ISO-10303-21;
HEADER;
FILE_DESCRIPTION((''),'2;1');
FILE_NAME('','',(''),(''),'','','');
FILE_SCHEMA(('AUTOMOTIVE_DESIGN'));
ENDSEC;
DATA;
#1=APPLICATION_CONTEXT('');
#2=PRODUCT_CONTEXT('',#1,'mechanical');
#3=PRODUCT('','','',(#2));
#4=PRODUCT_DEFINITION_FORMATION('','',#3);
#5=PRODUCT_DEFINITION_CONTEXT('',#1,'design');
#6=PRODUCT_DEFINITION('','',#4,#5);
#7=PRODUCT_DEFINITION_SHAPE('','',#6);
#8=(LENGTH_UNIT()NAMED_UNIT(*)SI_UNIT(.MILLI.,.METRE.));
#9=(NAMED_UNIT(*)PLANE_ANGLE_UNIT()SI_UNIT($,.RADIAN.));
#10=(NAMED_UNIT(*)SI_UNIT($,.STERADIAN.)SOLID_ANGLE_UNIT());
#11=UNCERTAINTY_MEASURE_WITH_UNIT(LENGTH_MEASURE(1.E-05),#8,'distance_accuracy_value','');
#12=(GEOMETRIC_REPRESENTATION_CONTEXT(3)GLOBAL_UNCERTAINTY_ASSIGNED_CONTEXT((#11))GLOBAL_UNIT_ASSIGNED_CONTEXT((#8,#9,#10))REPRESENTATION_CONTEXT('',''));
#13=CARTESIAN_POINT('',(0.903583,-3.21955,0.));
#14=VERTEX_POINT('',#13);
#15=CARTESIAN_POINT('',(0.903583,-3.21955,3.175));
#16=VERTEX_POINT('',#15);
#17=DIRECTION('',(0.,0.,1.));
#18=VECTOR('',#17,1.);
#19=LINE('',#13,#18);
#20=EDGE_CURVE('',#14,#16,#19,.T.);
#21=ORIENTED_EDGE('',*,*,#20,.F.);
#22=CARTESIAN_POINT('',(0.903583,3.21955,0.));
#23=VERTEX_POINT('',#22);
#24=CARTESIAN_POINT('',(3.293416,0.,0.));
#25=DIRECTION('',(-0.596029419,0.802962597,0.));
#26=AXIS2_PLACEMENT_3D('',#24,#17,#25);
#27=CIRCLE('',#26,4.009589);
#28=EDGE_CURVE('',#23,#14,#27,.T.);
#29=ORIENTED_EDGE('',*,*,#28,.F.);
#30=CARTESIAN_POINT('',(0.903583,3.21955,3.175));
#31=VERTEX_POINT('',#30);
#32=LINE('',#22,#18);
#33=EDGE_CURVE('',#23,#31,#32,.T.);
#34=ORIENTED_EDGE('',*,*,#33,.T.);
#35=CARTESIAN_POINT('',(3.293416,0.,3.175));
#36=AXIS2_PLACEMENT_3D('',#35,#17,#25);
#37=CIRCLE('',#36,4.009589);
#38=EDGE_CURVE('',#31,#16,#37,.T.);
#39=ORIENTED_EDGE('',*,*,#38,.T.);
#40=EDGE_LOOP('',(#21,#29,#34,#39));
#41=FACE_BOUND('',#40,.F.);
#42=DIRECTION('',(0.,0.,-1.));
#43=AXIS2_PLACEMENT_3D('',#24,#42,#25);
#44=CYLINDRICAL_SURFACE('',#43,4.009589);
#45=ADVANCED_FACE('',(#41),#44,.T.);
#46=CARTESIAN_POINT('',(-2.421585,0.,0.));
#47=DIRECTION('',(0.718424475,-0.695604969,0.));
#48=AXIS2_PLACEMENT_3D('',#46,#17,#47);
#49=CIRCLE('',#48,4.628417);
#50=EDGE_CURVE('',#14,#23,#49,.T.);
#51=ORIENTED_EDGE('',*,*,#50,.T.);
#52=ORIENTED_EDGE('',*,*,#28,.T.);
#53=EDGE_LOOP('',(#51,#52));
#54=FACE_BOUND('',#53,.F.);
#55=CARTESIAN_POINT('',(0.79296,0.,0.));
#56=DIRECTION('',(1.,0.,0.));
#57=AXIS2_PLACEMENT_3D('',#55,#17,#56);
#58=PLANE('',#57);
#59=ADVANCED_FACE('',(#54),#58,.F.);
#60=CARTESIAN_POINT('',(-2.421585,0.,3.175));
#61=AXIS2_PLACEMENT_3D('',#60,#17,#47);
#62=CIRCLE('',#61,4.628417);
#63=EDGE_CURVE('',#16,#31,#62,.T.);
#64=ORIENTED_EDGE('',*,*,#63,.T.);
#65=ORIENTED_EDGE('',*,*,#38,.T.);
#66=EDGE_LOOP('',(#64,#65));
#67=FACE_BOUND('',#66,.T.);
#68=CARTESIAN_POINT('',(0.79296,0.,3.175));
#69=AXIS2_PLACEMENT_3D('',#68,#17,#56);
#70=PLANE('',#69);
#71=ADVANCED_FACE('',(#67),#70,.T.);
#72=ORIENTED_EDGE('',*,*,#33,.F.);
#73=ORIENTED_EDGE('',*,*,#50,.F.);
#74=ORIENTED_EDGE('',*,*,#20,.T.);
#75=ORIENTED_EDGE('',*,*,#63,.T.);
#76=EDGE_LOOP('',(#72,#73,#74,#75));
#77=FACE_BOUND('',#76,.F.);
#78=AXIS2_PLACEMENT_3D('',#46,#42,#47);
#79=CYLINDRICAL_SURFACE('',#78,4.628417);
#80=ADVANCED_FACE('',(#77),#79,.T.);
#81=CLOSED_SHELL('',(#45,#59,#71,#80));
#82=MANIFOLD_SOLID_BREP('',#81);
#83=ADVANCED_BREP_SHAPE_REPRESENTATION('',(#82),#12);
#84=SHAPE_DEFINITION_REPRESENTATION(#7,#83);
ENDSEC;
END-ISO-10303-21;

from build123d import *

# Parameters (mm, degrees)
F1_DEPTH = 3.175


with BuildPart() as f1:
    # F0 (on Top) → F1 (new body)
    with BuildSketch(Plane.XY):
        with BuildLine():
            ThreePointArc((0.903583, 3.21955), (-0.716173, 0), (0.903583, -3.21955))
            ThreePointArc((0.903583, -3.21955), (2.206832, 0), (0.903583, 3.21955))
        make_face()
    extrude(amount=F1_DEPTH)


solid = f1.part
